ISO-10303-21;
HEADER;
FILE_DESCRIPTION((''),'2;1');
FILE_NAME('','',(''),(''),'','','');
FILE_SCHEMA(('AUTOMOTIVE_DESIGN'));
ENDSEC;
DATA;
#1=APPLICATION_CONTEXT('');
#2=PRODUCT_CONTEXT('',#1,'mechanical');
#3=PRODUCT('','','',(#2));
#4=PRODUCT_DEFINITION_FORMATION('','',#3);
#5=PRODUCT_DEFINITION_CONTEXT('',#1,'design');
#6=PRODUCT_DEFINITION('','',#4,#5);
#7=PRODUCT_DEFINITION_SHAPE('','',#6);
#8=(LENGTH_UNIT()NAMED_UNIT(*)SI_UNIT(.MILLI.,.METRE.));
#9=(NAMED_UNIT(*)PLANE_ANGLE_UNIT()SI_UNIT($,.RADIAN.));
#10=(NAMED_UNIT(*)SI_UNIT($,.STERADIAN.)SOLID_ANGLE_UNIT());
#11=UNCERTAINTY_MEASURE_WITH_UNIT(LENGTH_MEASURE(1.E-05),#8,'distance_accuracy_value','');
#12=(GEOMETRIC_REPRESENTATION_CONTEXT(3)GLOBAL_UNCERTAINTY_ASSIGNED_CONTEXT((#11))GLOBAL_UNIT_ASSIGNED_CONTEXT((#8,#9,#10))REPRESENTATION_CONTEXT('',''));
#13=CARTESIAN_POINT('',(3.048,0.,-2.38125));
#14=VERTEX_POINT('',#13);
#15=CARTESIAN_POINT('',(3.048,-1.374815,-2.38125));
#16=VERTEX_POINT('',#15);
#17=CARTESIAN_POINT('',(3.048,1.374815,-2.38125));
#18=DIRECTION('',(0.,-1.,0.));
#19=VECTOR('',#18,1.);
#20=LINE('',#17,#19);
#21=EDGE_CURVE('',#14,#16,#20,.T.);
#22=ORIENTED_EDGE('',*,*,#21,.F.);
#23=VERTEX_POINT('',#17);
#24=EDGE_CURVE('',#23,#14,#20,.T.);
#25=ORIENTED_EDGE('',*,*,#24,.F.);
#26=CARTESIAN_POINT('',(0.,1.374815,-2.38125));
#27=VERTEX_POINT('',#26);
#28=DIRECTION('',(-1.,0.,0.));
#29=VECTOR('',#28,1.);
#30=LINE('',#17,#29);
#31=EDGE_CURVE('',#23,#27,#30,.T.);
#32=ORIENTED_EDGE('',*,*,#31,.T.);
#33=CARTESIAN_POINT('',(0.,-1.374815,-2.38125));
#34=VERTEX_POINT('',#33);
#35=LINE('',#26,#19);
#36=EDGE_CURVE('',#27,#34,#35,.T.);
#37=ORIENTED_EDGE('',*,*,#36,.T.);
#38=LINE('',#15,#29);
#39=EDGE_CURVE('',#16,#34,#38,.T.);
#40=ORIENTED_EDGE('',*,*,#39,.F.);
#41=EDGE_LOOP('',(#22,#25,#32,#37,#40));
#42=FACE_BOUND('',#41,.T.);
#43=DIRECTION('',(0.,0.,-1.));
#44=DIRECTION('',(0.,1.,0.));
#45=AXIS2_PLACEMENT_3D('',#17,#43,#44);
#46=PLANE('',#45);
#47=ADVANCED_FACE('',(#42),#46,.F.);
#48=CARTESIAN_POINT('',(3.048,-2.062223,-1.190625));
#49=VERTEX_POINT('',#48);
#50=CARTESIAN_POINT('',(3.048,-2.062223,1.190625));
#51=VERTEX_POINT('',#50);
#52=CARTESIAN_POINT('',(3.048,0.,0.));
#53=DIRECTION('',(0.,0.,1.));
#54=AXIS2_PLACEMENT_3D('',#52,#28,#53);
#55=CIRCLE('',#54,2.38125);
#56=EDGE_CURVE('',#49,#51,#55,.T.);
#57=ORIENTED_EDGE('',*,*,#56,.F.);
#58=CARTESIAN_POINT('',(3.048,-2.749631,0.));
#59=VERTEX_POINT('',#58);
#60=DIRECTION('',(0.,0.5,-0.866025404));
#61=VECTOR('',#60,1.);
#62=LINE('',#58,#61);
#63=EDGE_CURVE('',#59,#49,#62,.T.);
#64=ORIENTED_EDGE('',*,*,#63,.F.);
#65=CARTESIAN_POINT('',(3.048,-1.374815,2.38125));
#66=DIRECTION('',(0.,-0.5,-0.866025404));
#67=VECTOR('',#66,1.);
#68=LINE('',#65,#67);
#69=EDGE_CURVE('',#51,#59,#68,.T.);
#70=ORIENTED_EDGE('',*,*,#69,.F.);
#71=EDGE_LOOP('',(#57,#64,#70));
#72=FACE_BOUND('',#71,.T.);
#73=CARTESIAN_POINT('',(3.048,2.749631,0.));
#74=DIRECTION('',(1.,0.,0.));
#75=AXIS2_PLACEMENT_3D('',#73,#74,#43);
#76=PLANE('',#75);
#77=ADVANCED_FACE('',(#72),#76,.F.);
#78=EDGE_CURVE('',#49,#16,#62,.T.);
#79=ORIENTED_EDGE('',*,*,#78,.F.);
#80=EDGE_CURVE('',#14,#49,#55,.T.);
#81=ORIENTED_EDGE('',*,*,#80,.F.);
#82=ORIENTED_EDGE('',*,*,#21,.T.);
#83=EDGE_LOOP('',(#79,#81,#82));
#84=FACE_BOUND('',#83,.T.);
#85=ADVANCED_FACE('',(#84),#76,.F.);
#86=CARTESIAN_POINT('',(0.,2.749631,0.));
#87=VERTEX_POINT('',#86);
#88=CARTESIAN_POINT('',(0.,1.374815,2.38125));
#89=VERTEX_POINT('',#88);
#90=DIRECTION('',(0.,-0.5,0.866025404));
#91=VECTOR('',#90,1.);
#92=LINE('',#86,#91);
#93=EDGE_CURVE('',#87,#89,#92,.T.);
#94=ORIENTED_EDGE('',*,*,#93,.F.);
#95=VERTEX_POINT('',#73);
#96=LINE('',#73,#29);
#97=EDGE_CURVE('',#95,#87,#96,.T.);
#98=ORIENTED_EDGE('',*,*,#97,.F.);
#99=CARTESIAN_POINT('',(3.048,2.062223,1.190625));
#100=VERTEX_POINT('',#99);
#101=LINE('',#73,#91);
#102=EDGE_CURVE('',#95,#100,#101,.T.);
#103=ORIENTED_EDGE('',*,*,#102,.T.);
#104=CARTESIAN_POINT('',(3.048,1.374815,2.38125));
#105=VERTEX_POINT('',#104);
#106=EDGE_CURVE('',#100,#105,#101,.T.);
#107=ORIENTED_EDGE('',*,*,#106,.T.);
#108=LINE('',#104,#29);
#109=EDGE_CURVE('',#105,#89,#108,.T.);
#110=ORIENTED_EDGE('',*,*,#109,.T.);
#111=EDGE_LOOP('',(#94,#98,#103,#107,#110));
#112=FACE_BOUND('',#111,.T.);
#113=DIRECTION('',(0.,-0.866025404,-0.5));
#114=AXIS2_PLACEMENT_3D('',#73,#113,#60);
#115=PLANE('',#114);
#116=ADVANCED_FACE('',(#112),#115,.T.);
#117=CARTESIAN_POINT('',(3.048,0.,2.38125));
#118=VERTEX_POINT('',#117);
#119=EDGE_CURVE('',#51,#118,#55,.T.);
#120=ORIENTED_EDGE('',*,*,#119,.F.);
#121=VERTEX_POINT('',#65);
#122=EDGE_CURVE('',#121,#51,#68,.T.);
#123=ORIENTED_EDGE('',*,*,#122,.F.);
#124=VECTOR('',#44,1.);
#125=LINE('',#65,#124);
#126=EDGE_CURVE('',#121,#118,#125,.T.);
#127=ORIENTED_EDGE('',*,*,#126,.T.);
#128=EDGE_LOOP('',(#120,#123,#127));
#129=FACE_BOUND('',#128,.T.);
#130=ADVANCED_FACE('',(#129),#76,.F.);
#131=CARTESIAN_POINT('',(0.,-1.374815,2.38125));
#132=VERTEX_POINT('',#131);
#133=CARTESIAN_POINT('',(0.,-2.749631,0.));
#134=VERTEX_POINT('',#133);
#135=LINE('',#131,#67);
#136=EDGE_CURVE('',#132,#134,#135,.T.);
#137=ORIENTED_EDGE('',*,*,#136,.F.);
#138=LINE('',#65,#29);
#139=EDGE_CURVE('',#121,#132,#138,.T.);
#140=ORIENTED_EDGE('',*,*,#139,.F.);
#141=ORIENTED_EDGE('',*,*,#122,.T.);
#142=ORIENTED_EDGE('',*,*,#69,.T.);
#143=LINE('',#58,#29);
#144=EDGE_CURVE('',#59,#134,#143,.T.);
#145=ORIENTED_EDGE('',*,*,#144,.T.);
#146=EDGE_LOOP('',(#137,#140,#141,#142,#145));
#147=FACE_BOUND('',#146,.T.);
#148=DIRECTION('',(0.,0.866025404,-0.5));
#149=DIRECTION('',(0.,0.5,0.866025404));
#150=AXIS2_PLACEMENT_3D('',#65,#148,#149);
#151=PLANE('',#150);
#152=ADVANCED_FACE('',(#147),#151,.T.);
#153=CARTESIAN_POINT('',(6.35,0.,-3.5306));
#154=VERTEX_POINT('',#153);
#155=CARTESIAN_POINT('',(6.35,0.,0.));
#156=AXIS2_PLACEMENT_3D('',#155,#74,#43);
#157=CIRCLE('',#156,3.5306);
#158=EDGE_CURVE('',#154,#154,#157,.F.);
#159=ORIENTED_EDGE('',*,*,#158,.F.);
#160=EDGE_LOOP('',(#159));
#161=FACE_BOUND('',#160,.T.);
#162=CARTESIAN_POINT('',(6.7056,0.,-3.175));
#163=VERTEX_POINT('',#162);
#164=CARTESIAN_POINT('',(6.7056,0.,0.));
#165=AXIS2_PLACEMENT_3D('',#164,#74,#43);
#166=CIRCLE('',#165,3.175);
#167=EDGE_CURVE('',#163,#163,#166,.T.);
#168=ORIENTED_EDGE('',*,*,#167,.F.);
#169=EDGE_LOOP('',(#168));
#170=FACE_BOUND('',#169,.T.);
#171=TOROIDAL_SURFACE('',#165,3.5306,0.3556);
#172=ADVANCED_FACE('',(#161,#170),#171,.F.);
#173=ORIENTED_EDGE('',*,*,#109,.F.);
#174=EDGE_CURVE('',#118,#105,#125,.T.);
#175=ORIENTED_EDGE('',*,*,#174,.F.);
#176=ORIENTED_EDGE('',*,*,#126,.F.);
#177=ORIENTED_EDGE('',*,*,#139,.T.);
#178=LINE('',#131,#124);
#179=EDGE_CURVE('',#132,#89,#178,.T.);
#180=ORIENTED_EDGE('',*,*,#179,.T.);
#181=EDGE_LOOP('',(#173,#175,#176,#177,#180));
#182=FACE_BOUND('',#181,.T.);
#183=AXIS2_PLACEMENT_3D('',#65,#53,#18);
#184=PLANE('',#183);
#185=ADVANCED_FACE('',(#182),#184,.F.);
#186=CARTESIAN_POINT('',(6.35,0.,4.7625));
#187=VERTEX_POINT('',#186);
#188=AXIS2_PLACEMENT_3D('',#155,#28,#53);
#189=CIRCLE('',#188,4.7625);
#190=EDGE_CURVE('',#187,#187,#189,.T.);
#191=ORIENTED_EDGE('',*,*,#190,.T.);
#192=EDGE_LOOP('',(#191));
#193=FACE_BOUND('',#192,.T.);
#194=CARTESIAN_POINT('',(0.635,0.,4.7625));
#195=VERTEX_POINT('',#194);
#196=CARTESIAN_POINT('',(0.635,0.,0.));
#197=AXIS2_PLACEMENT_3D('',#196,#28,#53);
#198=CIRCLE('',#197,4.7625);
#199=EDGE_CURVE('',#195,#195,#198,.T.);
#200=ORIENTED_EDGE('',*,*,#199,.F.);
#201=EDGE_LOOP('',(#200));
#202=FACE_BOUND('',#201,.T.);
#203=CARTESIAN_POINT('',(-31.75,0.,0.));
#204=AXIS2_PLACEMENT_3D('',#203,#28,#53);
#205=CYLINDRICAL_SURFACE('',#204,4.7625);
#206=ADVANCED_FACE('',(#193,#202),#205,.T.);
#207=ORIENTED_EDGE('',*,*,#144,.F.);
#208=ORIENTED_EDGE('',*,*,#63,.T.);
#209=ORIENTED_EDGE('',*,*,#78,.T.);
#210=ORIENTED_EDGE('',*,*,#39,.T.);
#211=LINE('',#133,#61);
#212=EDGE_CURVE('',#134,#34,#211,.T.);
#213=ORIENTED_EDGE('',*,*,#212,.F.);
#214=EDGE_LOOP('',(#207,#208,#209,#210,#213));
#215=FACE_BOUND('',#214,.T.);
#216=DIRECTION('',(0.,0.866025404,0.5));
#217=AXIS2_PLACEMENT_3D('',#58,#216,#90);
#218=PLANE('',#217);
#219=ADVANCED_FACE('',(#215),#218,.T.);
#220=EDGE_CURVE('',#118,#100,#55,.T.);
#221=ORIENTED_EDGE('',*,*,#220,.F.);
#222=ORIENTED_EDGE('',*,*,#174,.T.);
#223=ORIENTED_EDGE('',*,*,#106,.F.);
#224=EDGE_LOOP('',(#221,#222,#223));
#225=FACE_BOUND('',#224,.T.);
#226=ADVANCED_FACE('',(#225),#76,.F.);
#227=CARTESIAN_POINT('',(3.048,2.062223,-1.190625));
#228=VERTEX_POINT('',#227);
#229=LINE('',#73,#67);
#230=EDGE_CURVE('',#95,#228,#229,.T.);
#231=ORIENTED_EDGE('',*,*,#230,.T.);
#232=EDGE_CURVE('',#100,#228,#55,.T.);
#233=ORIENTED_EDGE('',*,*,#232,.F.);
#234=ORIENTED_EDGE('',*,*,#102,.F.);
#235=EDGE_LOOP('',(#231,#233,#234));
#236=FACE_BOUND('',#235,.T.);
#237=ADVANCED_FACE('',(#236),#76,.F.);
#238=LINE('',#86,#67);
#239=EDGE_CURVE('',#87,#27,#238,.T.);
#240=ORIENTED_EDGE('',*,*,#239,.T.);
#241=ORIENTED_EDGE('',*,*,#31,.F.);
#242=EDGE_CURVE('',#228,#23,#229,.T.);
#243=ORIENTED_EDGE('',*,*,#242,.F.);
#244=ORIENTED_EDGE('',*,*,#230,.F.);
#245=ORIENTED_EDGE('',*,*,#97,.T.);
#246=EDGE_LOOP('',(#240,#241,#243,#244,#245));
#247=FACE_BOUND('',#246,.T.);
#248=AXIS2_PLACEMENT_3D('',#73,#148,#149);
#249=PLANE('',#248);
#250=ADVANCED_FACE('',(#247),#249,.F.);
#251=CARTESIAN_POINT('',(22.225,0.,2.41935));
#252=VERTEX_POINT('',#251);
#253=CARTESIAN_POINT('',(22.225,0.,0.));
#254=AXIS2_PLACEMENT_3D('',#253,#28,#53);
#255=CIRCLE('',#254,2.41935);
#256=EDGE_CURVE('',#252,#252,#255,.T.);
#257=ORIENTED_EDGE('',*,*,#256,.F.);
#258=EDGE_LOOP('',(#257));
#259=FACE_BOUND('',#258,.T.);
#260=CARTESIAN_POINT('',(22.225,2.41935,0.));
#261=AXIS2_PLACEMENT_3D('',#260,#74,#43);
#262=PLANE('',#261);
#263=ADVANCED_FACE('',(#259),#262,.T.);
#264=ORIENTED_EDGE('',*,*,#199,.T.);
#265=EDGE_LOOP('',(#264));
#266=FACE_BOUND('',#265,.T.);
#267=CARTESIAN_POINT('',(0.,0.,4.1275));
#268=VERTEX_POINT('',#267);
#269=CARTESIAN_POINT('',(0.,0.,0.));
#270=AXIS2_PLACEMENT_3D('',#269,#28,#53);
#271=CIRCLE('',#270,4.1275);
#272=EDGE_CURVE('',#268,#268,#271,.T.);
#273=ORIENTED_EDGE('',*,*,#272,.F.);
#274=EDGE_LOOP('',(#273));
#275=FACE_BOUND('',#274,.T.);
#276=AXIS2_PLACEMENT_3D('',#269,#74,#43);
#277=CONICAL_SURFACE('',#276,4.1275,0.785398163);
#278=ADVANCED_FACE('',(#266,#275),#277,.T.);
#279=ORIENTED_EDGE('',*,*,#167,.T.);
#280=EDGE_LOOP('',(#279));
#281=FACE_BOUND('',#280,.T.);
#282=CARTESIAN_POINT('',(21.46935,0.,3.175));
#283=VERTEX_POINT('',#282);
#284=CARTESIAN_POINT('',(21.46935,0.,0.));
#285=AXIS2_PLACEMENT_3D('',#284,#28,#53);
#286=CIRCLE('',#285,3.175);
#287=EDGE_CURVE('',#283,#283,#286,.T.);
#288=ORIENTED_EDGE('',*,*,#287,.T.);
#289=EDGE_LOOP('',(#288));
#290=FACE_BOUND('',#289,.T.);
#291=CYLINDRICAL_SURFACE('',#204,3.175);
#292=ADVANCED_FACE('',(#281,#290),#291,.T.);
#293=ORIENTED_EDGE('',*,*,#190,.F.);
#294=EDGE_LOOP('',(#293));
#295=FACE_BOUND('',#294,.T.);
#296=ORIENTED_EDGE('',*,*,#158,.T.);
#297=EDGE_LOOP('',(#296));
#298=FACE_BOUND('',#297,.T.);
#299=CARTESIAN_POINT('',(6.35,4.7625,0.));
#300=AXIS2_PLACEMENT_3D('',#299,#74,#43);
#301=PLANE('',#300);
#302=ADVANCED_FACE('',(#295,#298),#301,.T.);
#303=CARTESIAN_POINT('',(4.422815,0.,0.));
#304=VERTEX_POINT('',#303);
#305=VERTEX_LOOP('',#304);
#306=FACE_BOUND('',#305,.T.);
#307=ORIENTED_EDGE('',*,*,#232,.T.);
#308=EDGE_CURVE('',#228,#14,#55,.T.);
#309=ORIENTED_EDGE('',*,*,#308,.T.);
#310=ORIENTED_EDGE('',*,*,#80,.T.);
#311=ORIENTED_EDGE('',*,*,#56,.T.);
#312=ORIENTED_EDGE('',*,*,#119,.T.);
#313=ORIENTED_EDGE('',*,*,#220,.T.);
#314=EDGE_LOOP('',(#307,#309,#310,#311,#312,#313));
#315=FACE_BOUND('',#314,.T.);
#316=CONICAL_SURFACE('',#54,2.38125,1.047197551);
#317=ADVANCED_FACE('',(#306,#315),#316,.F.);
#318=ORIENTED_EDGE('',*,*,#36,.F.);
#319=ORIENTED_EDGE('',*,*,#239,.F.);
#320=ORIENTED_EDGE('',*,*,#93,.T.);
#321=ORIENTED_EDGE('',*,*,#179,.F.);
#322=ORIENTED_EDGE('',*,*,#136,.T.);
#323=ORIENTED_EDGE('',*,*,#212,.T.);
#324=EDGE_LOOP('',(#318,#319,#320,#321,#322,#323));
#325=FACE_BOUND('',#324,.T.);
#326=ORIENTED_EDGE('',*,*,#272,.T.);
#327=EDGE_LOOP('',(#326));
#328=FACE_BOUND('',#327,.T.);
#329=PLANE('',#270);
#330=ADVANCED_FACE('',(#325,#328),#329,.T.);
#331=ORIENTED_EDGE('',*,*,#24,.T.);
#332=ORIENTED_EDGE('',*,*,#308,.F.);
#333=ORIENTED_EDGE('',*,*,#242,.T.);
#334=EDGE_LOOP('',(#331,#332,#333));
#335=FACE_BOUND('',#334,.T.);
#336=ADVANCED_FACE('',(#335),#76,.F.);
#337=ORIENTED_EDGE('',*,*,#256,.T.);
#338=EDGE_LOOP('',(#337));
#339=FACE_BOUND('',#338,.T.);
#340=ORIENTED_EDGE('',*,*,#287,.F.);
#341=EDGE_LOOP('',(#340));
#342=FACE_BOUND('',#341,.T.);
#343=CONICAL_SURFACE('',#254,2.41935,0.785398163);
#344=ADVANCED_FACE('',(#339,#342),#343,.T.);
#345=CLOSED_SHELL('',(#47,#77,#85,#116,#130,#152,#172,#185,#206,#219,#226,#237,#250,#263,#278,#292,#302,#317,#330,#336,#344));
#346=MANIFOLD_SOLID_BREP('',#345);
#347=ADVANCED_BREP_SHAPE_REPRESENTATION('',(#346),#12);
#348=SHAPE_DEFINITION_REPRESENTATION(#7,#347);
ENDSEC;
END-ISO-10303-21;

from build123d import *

# Parameters (mm, degrees)
FILLET1_R   = 0.3556
HEX_2_DEPTH = 3.048


with BuildPart() as part:
    # BodySke → Base-Revolve (revolve)
    with BuildSketch(Plane.XY, mode=Mode.PRIVATE) as base_revolve_sk:
        Polygon((0, 0), (0, 4.1275), (0.635, 4.7625), (6.35, 4.7625), (6.35, 3.175), (21.46935, 3.175), (22.225, 2.41935), (22.225, 0), align=None)
    revolve(base_revolve_sk.sketch.rotate(Axis((-31.75, 0, 0), (1, 0, 0)), 90), axis=Axis((-31.75, 0, 0), (1, 0, 0)))

    # Fillet1
    fillet1_edges = [part.edges().sort_by_distance(p)[0] for p in [
        (6.35, 0, -3.175),
    ]]
    fillet(fillet1_edges, radius=FILLET1_R)

    # Sketch2 → Hex-PreBroach (revolve, cut)
    with BuildSketch(Plane.XY, mode=Mode.PRIVATE) as hex_prebroach_sk:
        Polygon((0, 2.38125), (3.048, 2.38125), (4.422815329, 0), (0, 0), align=None)
    revolve(hex_prebroach_sk.sketch.rotate(Axis((0, 0, 0), (1, 0, 0)), 90), axis=Axis((0, 0, 0), (1, 0, 0)), mode=Mode.SUBTRACT)

    # Sketch3 → Hex 2 (cut)
    with BuildSketch(Plane(origin=(0, 0, 0), x_dir=(0, 0.500000000000001, 0.866025403784438), z_dir=(-1, 0, 0))):
        Polygon((1.374815329, 2.38125), (-1.374815329, 2.38125), (-2.749630657, 0), (-1.374815329, -2.38125), (1.374815329, -2.38125), (2.749630657, 0), align=None)
    extrude(amount=-HEX_2_DEPTH, mode=Mode.SUBTRACT)


solid = part.part
